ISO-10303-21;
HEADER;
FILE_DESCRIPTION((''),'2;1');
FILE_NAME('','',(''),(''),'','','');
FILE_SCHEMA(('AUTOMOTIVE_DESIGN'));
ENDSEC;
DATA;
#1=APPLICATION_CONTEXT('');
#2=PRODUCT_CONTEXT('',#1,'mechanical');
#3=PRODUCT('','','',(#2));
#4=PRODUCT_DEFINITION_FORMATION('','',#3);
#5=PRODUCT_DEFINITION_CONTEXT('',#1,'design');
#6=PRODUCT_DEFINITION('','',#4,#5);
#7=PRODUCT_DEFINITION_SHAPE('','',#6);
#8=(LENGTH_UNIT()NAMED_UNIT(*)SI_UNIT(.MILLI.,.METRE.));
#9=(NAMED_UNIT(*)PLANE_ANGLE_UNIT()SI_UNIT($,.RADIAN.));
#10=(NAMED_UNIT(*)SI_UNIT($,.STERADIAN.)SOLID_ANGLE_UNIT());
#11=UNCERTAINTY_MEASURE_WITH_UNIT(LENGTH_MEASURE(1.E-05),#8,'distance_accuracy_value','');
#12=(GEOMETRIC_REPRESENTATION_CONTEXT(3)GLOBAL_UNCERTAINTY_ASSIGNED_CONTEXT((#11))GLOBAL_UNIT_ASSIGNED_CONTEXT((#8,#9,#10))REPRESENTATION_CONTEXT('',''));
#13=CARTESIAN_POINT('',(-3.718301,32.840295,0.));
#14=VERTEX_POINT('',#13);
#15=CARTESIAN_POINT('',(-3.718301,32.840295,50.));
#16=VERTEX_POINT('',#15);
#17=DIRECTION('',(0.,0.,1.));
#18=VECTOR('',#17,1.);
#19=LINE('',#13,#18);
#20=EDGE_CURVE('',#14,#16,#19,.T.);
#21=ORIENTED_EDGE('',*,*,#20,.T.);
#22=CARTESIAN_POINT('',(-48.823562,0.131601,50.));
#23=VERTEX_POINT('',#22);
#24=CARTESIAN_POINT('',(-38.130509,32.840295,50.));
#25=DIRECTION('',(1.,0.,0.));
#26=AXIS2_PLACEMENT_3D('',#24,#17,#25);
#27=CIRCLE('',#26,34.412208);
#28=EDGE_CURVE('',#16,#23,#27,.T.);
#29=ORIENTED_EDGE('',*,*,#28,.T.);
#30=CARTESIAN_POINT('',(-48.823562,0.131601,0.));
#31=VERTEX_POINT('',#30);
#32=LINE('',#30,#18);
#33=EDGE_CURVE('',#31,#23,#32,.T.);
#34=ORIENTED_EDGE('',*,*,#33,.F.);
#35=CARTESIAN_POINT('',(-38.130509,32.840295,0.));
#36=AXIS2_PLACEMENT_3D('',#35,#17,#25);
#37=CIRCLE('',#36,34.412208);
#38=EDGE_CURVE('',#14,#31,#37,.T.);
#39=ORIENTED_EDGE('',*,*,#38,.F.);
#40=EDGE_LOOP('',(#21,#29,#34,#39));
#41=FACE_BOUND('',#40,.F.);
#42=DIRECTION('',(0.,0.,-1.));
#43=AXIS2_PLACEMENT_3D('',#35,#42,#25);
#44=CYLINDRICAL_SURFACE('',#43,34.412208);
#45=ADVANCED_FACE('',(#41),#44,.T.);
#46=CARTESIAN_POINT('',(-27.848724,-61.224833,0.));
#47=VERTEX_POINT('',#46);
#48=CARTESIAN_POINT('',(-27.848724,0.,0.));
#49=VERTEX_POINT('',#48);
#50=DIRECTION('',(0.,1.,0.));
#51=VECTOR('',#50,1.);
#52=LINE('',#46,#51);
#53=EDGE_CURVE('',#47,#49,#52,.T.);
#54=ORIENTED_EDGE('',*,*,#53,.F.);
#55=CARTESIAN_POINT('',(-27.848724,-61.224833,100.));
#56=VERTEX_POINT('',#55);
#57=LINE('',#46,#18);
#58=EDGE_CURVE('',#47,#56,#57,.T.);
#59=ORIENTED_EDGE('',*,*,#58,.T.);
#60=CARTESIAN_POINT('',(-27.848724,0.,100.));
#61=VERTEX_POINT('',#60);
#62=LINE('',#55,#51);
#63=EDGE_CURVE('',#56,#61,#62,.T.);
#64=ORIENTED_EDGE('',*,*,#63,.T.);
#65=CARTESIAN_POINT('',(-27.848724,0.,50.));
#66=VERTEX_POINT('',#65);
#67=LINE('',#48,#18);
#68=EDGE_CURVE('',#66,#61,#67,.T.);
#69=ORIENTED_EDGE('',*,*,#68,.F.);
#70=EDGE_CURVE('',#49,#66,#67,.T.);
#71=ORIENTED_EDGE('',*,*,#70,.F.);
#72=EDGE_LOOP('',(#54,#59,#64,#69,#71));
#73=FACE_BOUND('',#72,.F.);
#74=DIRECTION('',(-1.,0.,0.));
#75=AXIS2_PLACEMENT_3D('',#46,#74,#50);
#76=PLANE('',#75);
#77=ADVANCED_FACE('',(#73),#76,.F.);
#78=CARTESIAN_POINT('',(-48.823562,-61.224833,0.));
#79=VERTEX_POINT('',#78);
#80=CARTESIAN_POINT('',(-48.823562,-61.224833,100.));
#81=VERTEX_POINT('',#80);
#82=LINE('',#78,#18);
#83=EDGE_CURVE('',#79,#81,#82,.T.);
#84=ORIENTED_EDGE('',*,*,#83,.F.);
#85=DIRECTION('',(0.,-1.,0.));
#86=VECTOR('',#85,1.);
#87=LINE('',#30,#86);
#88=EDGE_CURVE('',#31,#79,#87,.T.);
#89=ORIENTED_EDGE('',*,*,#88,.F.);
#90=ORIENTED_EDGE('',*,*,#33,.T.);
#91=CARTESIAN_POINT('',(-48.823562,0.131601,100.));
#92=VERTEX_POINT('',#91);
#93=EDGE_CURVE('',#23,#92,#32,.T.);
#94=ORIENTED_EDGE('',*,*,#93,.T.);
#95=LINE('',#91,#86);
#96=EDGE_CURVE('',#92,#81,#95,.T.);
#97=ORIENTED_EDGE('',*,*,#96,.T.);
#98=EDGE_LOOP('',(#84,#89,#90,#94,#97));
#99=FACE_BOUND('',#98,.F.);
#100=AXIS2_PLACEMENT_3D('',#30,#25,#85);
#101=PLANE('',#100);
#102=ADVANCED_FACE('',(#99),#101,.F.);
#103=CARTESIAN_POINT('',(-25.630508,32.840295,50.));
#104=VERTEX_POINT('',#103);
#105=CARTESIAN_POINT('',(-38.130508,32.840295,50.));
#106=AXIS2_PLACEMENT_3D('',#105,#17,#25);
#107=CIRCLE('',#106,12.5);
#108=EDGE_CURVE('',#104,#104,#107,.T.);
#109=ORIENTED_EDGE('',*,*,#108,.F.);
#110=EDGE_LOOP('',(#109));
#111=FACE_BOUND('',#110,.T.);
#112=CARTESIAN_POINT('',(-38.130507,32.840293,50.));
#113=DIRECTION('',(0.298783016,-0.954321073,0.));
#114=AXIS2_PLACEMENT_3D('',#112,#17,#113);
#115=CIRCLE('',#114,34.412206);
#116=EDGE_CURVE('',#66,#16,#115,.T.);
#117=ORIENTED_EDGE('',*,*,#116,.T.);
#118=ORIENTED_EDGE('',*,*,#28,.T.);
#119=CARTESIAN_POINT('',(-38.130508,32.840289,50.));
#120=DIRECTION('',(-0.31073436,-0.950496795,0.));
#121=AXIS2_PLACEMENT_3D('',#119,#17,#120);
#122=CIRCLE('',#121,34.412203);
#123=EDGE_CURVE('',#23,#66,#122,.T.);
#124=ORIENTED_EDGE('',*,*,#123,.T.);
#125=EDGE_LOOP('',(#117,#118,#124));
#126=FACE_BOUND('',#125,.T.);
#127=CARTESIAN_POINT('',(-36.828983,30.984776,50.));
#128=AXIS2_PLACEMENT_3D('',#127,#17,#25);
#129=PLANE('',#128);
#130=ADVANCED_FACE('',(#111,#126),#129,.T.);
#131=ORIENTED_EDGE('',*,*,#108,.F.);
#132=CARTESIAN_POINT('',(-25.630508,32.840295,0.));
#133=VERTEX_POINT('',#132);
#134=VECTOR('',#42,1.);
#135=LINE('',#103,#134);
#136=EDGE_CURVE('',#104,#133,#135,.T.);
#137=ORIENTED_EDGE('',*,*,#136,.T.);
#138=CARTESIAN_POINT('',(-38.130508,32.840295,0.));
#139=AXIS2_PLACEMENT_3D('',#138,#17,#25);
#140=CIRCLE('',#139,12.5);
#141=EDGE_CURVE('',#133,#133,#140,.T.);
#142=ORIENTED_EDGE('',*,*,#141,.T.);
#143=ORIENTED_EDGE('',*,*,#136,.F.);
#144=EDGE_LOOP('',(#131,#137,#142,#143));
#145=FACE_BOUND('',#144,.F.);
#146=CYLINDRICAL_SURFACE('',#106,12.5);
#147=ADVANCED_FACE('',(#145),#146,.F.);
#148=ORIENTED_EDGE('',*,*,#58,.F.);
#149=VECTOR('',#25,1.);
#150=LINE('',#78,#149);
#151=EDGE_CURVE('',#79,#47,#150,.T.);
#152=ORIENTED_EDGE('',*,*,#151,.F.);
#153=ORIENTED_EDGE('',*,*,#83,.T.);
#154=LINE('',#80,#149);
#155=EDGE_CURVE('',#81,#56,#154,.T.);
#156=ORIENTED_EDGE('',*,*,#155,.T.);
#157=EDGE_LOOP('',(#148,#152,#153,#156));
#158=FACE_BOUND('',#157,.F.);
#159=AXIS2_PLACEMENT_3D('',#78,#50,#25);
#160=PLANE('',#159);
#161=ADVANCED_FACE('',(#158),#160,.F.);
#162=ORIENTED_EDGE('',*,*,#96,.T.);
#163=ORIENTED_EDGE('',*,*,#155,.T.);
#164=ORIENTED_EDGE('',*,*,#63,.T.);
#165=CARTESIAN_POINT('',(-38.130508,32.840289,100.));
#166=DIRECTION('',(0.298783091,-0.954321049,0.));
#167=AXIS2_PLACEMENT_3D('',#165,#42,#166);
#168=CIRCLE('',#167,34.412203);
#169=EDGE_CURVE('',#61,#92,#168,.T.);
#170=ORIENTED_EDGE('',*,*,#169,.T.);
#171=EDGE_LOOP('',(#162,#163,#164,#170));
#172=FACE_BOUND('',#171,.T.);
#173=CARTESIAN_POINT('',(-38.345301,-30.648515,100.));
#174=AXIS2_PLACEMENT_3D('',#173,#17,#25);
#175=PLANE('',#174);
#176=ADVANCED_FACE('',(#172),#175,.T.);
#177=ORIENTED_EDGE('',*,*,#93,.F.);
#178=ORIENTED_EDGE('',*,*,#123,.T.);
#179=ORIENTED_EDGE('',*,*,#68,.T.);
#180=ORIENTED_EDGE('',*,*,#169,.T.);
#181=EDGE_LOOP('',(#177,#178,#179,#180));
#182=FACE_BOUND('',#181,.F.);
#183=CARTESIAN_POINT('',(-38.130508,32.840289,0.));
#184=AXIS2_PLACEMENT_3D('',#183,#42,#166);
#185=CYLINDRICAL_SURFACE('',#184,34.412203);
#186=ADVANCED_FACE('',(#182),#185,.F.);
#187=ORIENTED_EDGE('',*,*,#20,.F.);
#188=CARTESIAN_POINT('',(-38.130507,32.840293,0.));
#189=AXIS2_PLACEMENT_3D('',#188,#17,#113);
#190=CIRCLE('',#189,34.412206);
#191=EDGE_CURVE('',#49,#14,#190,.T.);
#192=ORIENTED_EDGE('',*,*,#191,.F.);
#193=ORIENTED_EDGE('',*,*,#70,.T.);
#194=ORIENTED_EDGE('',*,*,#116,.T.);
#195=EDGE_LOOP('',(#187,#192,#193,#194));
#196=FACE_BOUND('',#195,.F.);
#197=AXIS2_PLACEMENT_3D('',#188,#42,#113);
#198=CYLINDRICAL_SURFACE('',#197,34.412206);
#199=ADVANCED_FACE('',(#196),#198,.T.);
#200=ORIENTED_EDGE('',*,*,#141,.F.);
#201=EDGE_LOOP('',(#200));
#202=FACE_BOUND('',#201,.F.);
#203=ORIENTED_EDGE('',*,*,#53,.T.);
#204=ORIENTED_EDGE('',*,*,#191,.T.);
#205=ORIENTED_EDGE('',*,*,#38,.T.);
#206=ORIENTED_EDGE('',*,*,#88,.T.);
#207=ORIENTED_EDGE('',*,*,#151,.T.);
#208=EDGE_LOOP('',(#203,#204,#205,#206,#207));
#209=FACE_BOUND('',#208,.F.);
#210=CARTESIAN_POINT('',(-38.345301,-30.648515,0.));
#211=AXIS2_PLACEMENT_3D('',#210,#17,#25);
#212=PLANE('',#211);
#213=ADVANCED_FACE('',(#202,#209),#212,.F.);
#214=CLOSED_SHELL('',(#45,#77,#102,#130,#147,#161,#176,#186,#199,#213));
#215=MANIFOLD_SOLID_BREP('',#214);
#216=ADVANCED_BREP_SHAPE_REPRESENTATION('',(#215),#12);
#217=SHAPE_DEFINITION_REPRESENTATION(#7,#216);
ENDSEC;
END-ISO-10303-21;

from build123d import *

# Parameters (mm, degrees)
F1_DEPTH = 50
F2_DEPTH = 100
F3_R     = 12.5
F4_DEPTH = 100


with BuildPart() as f1:
    # F0 (on Top) → F1 (new body)
    with BuildSketch(Plane.XY):
        with BuildLine():
            ThreePointArc((-27.848724, 0), (-10.399488, 12.464069), (-3.718301, 32.840295))
            ThreePointArc((-3.718301, 32.840295), (-58.332346, 60.698612), (-48.823562, 0.131601))
            ThreePointArc((-48.823562, 0.131601), (-38.346414, -1.571236), (-27.848724, 0))
        make_face()
    extrude(amount=F1_DEPTH)

    # F0 (on Top) → F2 (join)
    with BuildSketch(Plane.XY):
        with BuildLine():
            ThreePointArc((-27.848724, 0), (-38.346414, -1.571236), (-48.823562, 0.131601))
            Line((-48.823562, 0.131601), (-48.823562, -61.224833))
            Line((-48.823562, -61.224833), (-27.848724, -61.224833))
            Line((-27.848724, -61.224833), (-27.848724, 0))
        make_face()
    extrude(amount=F2_DEPTH)

    # F3 (on face) → F4 (cut)
    with BuildSketch(Plane.XY.offset(50)):
        with Locations((-38.130508, 32.840295)):
            Circle(F3_R)
    extrude(amount=-F4_DEPTH, mode=Mode.SUBTRACT)


solid = f1.part
